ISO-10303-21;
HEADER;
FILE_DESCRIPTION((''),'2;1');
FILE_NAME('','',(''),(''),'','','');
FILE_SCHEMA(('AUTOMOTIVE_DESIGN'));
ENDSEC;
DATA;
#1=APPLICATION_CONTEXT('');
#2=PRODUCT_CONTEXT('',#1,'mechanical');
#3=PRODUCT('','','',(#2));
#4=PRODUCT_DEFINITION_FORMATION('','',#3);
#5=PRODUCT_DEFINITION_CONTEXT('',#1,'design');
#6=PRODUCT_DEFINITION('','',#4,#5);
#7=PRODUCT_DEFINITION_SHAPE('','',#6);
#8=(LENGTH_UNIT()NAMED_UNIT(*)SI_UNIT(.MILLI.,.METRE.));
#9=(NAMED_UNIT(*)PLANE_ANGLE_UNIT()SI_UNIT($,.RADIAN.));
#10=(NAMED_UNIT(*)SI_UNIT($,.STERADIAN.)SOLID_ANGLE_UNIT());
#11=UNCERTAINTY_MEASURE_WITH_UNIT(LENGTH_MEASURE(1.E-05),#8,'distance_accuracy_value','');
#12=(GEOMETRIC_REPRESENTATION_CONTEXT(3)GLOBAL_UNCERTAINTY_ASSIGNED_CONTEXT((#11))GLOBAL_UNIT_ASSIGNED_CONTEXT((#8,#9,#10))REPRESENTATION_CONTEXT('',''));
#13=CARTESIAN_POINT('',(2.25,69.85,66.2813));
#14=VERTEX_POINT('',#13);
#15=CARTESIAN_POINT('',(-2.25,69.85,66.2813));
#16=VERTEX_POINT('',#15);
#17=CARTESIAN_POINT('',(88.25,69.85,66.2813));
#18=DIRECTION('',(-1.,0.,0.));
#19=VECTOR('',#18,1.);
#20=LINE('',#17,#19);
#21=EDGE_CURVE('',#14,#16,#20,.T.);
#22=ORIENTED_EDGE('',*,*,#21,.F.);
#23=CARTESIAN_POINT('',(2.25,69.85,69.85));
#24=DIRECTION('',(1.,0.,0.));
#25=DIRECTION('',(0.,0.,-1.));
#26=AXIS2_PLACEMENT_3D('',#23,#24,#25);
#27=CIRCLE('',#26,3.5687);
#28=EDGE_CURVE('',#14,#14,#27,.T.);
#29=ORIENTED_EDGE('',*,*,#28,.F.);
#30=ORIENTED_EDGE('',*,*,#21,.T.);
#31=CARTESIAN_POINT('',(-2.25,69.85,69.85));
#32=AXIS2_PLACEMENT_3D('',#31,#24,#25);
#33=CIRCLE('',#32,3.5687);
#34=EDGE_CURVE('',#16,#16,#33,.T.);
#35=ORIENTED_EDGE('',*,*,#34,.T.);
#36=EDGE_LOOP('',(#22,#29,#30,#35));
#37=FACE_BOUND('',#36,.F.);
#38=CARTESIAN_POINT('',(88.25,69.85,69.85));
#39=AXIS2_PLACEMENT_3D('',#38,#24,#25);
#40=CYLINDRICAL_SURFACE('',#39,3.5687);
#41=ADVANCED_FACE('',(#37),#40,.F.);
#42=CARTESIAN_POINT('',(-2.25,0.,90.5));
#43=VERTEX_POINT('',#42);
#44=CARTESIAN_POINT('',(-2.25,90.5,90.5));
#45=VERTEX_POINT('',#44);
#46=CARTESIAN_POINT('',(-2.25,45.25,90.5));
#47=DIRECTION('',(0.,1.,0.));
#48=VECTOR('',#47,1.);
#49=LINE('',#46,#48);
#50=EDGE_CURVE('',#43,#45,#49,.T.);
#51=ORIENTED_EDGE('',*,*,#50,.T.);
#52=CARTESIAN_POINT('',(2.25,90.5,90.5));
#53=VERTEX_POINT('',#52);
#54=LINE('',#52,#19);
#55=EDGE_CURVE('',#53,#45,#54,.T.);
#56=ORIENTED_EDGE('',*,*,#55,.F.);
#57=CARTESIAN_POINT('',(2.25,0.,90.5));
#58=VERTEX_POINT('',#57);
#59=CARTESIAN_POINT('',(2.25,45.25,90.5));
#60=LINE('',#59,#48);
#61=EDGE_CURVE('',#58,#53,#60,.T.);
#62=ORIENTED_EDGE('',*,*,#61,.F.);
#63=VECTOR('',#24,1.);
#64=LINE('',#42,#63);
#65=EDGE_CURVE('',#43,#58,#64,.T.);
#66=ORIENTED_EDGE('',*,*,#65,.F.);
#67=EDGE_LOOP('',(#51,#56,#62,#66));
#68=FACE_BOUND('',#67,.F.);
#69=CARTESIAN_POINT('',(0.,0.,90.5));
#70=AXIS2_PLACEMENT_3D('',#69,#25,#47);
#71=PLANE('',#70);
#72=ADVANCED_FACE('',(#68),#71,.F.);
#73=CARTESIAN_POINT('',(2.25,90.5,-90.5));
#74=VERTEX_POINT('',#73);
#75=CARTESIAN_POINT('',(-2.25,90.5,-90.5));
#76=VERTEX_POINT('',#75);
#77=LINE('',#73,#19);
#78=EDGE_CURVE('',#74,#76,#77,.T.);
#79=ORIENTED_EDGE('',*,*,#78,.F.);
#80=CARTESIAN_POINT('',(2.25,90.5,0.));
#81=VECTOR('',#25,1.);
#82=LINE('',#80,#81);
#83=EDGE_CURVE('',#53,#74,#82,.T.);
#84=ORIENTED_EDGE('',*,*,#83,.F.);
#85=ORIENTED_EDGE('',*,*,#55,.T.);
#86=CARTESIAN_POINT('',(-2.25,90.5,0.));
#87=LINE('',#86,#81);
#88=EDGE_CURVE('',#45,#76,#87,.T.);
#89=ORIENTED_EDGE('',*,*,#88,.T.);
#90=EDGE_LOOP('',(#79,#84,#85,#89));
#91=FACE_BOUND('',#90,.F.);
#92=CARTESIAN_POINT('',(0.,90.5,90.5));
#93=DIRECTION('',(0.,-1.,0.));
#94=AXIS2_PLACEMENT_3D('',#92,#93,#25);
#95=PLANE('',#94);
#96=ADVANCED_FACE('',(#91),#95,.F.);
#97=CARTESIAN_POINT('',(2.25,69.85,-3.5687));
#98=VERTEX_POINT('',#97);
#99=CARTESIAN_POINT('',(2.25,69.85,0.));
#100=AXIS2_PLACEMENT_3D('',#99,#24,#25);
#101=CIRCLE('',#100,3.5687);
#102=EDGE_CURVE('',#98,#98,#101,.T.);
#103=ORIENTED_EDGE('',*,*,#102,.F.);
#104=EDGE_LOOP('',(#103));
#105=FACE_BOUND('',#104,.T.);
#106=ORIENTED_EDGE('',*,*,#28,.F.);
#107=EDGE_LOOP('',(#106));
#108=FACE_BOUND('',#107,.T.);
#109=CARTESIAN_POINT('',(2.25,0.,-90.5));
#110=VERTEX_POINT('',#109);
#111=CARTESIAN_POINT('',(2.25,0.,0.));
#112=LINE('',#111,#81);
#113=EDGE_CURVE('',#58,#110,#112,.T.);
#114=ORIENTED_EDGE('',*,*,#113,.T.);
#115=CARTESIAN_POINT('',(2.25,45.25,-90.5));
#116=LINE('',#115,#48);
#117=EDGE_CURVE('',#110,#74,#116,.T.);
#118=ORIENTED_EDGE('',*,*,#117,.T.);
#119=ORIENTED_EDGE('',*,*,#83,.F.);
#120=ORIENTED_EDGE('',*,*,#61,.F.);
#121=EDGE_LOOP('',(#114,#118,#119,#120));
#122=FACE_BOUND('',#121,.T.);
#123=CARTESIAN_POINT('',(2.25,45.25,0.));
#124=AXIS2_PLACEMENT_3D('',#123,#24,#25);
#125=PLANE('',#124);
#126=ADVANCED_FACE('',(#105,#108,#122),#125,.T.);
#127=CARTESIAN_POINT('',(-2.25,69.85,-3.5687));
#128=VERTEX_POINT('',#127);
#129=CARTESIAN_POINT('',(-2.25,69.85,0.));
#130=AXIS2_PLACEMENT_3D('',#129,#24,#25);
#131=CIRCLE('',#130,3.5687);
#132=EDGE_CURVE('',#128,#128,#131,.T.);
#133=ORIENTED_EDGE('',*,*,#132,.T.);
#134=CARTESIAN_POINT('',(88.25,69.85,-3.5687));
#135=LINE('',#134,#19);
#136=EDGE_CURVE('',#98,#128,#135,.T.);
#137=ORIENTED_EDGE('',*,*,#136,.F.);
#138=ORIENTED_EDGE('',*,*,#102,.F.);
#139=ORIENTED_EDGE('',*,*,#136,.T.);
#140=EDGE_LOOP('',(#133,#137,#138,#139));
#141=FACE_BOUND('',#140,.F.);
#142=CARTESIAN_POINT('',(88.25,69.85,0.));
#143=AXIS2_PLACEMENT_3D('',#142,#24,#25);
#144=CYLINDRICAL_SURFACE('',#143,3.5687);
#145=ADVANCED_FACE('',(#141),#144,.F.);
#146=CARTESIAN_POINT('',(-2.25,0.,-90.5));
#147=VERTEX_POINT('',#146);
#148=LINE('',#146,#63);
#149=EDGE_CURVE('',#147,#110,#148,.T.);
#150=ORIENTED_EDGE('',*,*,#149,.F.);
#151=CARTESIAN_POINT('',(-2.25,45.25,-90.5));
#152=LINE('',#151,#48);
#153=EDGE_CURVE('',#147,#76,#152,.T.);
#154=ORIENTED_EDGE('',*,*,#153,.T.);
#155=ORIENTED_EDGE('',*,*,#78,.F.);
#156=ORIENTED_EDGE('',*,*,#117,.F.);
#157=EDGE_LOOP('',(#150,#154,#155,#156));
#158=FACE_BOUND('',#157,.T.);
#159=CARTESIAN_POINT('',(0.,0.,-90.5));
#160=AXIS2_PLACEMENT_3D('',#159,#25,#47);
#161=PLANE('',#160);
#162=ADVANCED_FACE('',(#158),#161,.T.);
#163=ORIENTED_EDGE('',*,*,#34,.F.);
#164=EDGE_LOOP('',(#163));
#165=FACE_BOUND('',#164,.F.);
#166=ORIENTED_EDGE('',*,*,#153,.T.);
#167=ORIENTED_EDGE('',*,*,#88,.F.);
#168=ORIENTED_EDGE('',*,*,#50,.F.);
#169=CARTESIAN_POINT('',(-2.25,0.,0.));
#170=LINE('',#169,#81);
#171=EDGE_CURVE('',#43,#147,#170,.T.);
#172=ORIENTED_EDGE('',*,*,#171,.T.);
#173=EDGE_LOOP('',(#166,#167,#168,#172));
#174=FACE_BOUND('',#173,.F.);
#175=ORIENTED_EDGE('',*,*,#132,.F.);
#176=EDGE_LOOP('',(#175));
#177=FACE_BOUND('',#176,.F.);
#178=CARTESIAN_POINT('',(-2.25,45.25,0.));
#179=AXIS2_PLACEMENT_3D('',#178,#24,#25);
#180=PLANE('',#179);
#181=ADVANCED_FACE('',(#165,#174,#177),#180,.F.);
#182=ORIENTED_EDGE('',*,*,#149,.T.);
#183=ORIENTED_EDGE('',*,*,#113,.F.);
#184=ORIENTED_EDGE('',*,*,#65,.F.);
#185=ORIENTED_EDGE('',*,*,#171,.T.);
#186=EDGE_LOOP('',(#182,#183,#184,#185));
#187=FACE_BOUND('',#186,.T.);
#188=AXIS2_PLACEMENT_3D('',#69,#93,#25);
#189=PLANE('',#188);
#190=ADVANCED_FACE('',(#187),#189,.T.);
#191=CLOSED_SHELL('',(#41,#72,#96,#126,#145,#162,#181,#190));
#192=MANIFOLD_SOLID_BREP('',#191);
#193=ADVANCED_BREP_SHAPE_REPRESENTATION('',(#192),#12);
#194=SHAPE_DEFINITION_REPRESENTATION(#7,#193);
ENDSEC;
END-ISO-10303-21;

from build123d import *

# Parameters (mm, degrees)
SKETCH1_W               = 181
SKETCH1_H               = 90.5
BOSS_EXTRUDE1_DEPTH     = 2.25
SKETCH2_R               = 3.5687
CUT_EXTRUDE1_DEPTH      = 1
CUT_EXTRUDE1_DEPTH_BACK = 91.5


with BuildPart() as part:
    # Sketch1 → Boss-Extrude1 (new body, symmetric)
    with BuildSketch(Plane(origin=(0, 0, 0), x_dir=(0, 0, -1), z_dir=(1, 0, 0))):
        with Locations((0, 45.25)):
            Rectangle(SKETCH1_W, SKETCH1_H)
    extrude(amount=BOSS_EXTRUDE1_DEPTH, both=True)

    # Sketch2 → Cut-Extrude1 (cut, two sides)
    with BuildSketch(Plane(origin=(88.25, 0, 0), x_dir=(0, 0, -1), z_dir=(1, 0, 0))) as cut_extrude1_sk:
        with Locations((-69.85, 69.85)):
            Circle(SKETCH2_R)
        with Locations((0, 69.85)):
            Circle(SKETCH2_R)
    extrude(amount=CUT_EXTRUDE1_DEPTH, mode=Mode.SUBTRACT)
    extrude(cut_extrude1_sk.sketch, amount=-CUT_EXTRUDE1_DEPTH_BACK, mode=Mode.SUBTRACT)


solid = part.part
